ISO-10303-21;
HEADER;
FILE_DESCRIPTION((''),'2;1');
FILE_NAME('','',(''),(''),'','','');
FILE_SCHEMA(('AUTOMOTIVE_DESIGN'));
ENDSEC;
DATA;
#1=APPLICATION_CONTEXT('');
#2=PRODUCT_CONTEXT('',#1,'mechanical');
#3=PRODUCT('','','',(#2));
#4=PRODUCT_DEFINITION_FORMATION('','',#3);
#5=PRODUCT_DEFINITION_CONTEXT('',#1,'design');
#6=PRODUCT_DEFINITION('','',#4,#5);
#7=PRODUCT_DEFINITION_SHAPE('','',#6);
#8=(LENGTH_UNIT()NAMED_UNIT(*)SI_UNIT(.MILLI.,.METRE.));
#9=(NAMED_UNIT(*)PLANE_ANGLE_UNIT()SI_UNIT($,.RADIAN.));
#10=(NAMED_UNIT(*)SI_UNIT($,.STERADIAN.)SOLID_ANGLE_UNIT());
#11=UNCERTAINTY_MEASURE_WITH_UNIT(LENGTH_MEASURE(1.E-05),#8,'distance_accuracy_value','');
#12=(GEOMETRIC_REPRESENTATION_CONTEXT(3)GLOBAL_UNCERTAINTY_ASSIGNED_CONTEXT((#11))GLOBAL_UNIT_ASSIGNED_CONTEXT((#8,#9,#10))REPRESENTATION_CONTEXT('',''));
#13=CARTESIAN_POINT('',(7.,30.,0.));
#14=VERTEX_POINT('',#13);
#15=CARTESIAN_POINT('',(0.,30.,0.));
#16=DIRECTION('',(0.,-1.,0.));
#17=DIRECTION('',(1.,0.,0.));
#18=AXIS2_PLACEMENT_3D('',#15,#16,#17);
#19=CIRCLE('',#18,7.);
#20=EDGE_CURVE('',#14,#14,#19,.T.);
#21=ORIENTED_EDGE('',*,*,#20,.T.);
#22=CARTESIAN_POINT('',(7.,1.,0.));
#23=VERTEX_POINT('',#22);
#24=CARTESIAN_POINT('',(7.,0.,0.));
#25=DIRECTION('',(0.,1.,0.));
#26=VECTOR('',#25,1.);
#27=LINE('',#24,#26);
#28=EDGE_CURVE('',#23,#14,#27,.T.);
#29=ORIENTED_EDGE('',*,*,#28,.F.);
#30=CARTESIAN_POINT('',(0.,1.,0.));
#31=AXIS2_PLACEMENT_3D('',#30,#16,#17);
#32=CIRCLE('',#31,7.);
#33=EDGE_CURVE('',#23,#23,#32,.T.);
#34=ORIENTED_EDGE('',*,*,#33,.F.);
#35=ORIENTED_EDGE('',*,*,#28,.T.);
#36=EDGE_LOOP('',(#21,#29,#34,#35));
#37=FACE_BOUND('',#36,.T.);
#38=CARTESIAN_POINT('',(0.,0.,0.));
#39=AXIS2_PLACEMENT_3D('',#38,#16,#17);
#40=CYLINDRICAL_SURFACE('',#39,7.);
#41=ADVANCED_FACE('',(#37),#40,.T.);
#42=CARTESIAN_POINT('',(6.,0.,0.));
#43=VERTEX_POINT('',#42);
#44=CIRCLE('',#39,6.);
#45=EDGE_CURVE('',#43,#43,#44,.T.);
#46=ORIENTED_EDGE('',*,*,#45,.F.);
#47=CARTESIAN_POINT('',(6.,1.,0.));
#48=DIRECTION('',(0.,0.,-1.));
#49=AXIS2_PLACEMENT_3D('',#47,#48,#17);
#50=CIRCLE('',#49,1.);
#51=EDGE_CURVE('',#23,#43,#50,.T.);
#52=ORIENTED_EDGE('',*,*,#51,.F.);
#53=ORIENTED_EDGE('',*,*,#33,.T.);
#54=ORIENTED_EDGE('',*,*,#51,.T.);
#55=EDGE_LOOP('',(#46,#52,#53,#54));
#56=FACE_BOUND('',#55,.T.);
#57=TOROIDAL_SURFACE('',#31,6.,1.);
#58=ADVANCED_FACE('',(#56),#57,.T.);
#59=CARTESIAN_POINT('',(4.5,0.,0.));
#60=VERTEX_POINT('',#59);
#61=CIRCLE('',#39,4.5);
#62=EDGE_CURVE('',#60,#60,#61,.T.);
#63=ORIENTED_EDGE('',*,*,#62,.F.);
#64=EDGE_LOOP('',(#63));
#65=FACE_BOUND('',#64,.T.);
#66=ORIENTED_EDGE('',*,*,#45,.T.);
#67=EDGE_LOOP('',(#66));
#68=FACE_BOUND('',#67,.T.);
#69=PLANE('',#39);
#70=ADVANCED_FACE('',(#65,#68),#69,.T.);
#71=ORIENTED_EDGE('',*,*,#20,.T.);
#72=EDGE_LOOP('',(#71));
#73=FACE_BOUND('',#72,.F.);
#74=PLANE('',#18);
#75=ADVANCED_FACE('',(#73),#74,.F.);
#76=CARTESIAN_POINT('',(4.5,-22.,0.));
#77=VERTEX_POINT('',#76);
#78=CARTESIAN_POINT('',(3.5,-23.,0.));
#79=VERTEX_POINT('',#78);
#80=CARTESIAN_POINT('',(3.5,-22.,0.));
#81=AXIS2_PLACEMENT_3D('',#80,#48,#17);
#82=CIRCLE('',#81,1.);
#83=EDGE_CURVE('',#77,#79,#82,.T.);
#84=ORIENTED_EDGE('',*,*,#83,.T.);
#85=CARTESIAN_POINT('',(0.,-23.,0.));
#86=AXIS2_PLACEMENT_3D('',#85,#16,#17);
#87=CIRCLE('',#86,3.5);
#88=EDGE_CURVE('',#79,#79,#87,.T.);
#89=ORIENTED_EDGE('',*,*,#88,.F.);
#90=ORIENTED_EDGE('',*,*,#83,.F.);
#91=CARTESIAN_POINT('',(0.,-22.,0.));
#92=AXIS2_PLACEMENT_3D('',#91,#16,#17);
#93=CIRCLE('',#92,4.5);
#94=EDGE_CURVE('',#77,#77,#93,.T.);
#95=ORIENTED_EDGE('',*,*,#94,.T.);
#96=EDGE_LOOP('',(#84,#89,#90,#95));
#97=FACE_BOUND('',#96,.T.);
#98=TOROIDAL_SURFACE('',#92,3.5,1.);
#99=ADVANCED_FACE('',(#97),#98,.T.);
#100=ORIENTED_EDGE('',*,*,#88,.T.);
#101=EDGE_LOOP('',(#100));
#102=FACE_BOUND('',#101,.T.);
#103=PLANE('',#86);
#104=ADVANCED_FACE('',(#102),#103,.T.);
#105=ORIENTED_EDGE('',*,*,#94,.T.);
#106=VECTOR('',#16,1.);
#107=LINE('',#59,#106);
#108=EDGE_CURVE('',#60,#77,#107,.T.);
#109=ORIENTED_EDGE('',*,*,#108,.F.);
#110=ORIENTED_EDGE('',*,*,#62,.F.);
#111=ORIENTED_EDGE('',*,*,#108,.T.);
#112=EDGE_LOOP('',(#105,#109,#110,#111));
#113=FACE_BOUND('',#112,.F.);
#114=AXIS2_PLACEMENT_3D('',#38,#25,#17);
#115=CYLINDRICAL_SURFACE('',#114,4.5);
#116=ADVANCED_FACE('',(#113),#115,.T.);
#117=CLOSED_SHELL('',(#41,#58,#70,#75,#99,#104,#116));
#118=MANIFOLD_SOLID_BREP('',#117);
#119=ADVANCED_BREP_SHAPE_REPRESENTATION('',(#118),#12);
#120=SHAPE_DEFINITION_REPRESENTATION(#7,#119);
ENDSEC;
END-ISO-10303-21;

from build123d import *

# Parameters (mm, degrees)
F0_R     = 7
F0_R_2   = 4.5
F1_DEPTH = 30
F2_DEPTH = 23
F3_R     = 1


with BuildPart() as f1:
    # F0 (on Front) → F1 (new body)
    with BuildSketch(Plane.XZ):
        Circle(F0_R)
        Circle(F0_R_2, mode=Mode.SUBTRACT)
        Circle(F0_R_2)
    extrude(amount=-F1_DEPTH)

    # F0 (on Front) → F2 (join)
    with BuildSketch(Plane.XZ):
        Circle(F0_R_2)
    extrude(amount=F2_DEPTH)

    # F3
    f3_edges = [f1.edges().sort_by_distance(p)[0] for p in [
        (-4.5, -23, 0),
        (-7, 0, 0),
    ]]
    fillet(f3_edges, radius=F3_R)


solid = f1.part
